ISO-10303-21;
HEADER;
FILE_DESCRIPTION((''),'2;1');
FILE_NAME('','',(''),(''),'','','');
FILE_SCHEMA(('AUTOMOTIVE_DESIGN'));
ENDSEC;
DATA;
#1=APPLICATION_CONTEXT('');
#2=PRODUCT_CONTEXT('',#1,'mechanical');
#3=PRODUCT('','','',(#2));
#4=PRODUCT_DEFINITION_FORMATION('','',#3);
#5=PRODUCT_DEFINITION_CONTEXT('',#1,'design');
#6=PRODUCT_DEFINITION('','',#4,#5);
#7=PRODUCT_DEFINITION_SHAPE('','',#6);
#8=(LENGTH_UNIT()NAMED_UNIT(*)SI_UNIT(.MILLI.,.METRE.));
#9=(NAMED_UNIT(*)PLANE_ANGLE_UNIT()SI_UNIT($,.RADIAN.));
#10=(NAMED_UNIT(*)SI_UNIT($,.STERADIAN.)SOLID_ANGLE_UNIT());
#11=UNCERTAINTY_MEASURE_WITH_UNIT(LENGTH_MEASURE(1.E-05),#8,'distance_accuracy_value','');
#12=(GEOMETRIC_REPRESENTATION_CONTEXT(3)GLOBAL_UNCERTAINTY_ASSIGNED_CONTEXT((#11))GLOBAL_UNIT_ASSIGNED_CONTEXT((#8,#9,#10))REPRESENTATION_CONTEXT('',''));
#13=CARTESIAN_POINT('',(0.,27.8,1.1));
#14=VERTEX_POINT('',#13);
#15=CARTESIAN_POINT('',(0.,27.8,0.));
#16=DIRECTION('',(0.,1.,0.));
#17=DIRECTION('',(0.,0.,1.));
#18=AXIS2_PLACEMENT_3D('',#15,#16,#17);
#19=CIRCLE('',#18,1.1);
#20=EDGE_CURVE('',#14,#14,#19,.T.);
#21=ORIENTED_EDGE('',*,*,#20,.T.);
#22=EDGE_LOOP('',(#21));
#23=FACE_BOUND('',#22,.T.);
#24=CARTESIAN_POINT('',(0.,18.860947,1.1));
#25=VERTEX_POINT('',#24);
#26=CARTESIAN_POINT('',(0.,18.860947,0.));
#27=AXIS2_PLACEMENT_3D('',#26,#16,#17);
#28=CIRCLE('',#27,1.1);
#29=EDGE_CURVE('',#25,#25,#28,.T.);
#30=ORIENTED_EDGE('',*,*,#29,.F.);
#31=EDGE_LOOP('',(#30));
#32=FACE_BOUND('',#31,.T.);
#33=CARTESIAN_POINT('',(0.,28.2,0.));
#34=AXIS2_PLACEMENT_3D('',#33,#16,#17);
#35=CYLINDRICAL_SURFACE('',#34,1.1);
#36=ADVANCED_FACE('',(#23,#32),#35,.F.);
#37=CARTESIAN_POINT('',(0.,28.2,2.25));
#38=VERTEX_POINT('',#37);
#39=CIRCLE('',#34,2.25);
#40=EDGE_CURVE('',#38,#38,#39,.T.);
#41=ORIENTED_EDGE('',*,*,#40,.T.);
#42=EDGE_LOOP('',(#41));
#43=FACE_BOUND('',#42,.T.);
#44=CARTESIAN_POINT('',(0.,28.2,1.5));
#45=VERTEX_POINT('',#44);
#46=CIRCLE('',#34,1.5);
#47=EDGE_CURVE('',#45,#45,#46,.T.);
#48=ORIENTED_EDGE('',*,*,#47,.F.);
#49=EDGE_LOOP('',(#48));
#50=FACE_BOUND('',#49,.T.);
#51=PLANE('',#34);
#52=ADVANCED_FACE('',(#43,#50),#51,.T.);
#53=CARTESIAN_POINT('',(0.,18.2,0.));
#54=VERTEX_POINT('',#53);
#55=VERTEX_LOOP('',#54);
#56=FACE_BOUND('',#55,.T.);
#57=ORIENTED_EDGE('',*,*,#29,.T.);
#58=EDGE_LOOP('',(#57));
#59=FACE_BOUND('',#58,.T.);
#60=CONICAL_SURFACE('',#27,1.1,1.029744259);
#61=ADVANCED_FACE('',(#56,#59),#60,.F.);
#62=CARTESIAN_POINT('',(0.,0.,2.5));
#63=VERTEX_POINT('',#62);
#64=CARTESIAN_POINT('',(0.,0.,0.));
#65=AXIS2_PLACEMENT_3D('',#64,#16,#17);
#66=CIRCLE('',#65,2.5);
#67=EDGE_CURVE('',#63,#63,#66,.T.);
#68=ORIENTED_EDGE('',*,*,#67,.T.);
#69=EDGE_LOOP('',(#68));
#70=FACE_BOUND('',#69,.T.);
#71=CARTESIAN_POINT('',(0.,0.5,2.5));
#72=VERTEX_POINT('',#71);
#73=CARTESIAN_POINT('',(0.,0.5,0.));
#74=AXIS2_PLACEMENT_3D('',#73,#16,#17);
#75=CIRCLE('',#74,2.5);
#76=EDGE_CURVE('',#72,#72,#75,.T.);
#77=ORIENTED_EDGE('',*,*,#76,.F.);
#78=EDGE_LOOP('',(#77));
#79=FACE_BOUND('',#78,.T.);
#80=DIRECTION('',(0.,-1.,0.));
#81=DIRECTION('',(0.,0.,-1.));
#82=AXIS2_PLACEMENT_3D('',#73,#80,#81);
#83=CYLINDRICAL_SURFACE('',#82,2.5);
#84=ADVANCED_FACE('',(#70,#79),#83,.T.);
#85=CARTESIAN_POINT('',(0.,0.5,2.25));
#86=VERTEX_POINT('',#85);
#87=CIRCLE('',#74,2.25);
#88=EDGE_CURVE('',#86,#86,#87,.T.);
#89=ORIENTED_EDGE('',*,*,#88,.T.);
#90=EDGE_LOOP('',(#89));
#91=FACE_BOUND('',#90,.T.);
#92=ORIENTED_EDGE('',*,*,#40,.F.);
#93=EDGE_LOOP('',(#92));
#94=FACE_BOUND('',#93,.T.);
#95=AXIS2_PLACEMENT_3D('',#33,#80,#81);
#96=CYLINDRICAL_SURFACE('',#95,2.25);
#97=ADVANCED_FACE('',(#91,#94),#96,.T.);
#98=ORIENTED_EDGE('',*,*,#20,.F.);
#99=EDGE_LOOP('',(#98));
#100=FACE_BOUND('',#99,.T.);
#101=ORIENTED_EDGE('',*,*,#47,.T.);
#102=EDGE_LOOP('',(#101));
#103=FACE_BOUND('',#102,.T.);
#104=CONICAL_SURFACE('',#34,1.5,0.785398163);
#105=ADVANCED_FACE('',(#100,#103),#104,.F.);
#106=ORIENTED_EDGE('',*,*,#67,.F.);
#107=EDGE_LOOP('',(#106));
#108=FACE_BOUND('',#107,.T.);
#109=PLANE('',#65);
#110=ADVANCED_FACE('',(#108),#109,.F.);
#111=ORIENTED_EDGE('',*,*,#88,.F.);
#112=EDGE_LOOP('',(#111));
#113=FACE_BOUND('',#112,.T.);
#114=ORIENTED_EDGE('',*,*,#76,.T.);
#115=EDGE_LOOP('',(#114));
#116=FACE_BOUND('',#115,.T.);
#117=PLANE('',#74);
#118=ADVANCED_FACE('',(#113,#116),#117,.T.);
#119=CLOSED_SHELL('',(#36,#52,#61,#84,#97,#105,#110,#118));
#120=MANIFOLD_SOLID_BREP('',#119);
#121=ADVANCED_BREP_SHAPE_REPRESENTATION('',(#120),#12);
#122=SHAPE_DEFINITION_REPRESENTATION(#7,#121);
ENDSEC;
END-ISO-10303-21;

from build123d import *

# Parameters (mm, degrees)
SKETCH1_R                                           = 2.5
BOSS_EXTRUDE1_DEPTH                                 = 0.5
SKETCH2_R                                           = 2.25
BOSS_EXTRUDE2_DEPTH                                 = 27.7
CSK_FOR_M2_COUNTERSUNK_FLAT_HEAD_SCREW1_D           = 2.2
CSK_FOR_M2_COUNTERSUNK_FLAT_HEAD_SCREW1_DEPTH       = 9.339053319
CSK_FOR_M2_COUNTERSUNK_FLAT_HEAD_SCREW1_CSINK_D     = 3
CSK_FOR_M2_COUNTERSUNK_FLAT_HEAD_SCREW1_CSINK_ANGLE = 90
CSK_FOR_M2_COUNTERSUNK_FLAT_HEAD_SCREW1_TIP         = 0.660946681


with BuildPart() as part:
    # Sketch1 → Boss-Extrude1 (new body)
    with BuildSketch(Plane(origin=(0, 0, 0), x_dir=(1, 0, 0), z_dir=(0, 1, 0))):
        with Locations(Location((0, 0, 0), (0, 0, 270))):
            Circle(SKETCH1_R)
    extrude(amount=BOSS_EXTRUDE1_DEPTH)

    # Sketch2 → Boss-Extrude2 (add)
    with BuildSketch(Plane(origin=(0, 0.5, 0), x_dir=(1, 0, 0), z_dir=(0, 1, 0))):
        with Locations(Location((0, 0, 0), (0, 0, 270))):
            Circle(SKETCH2_R)
    extrude(amount=BOSS_EXTRUDE2_DEPTH)

    # CSK for M2 Countersunk Flat Head Screw1
    with Locations(Plane(origin=(0, 28.2, 0), x_dir=(1, 0, 0), z_dir=(0, 1, 0))):
        with Locations((0, 0)):
            CounterSinkHole(CSK_FOR_M2_COUNTERSUNK_FLAT_HEAD_SCREW1_D / 2, CSK_FOR_M2_COUNTERSUNK_FLAT_HEAD_SCREW1_CSINK_D / 2, depth=CSK_FOR_M2_COUNTERSUNK_FLAT_HEAD_SCREW1_DEPTH, counter_sink_angle=CSK_FOR_M2_COUNTERSUNK_FLAT_HEAD_SCREW1_CSINK_ANGLE)
            with Locations((0, 0, -(CSK_FOR_M2_COUNTERSUNK_FLAT_HEAD_SCREW1_DEPTH + CSK_FOR_M2_COUNTERSUNK_FLAT_HEAD_SCREW1_TIP / 2))):  # 118° drill point
                Cone(0, CSK_FOR_M2_COUNTERSUNK_FLAT_HEAD_SCREW1_D / 2, CSK_FOR_M2_COUNTERSUNK_FLAT_HEAD_SCREW1_TIP, mode=Mode.SUBTRACT)


solid = part.part
